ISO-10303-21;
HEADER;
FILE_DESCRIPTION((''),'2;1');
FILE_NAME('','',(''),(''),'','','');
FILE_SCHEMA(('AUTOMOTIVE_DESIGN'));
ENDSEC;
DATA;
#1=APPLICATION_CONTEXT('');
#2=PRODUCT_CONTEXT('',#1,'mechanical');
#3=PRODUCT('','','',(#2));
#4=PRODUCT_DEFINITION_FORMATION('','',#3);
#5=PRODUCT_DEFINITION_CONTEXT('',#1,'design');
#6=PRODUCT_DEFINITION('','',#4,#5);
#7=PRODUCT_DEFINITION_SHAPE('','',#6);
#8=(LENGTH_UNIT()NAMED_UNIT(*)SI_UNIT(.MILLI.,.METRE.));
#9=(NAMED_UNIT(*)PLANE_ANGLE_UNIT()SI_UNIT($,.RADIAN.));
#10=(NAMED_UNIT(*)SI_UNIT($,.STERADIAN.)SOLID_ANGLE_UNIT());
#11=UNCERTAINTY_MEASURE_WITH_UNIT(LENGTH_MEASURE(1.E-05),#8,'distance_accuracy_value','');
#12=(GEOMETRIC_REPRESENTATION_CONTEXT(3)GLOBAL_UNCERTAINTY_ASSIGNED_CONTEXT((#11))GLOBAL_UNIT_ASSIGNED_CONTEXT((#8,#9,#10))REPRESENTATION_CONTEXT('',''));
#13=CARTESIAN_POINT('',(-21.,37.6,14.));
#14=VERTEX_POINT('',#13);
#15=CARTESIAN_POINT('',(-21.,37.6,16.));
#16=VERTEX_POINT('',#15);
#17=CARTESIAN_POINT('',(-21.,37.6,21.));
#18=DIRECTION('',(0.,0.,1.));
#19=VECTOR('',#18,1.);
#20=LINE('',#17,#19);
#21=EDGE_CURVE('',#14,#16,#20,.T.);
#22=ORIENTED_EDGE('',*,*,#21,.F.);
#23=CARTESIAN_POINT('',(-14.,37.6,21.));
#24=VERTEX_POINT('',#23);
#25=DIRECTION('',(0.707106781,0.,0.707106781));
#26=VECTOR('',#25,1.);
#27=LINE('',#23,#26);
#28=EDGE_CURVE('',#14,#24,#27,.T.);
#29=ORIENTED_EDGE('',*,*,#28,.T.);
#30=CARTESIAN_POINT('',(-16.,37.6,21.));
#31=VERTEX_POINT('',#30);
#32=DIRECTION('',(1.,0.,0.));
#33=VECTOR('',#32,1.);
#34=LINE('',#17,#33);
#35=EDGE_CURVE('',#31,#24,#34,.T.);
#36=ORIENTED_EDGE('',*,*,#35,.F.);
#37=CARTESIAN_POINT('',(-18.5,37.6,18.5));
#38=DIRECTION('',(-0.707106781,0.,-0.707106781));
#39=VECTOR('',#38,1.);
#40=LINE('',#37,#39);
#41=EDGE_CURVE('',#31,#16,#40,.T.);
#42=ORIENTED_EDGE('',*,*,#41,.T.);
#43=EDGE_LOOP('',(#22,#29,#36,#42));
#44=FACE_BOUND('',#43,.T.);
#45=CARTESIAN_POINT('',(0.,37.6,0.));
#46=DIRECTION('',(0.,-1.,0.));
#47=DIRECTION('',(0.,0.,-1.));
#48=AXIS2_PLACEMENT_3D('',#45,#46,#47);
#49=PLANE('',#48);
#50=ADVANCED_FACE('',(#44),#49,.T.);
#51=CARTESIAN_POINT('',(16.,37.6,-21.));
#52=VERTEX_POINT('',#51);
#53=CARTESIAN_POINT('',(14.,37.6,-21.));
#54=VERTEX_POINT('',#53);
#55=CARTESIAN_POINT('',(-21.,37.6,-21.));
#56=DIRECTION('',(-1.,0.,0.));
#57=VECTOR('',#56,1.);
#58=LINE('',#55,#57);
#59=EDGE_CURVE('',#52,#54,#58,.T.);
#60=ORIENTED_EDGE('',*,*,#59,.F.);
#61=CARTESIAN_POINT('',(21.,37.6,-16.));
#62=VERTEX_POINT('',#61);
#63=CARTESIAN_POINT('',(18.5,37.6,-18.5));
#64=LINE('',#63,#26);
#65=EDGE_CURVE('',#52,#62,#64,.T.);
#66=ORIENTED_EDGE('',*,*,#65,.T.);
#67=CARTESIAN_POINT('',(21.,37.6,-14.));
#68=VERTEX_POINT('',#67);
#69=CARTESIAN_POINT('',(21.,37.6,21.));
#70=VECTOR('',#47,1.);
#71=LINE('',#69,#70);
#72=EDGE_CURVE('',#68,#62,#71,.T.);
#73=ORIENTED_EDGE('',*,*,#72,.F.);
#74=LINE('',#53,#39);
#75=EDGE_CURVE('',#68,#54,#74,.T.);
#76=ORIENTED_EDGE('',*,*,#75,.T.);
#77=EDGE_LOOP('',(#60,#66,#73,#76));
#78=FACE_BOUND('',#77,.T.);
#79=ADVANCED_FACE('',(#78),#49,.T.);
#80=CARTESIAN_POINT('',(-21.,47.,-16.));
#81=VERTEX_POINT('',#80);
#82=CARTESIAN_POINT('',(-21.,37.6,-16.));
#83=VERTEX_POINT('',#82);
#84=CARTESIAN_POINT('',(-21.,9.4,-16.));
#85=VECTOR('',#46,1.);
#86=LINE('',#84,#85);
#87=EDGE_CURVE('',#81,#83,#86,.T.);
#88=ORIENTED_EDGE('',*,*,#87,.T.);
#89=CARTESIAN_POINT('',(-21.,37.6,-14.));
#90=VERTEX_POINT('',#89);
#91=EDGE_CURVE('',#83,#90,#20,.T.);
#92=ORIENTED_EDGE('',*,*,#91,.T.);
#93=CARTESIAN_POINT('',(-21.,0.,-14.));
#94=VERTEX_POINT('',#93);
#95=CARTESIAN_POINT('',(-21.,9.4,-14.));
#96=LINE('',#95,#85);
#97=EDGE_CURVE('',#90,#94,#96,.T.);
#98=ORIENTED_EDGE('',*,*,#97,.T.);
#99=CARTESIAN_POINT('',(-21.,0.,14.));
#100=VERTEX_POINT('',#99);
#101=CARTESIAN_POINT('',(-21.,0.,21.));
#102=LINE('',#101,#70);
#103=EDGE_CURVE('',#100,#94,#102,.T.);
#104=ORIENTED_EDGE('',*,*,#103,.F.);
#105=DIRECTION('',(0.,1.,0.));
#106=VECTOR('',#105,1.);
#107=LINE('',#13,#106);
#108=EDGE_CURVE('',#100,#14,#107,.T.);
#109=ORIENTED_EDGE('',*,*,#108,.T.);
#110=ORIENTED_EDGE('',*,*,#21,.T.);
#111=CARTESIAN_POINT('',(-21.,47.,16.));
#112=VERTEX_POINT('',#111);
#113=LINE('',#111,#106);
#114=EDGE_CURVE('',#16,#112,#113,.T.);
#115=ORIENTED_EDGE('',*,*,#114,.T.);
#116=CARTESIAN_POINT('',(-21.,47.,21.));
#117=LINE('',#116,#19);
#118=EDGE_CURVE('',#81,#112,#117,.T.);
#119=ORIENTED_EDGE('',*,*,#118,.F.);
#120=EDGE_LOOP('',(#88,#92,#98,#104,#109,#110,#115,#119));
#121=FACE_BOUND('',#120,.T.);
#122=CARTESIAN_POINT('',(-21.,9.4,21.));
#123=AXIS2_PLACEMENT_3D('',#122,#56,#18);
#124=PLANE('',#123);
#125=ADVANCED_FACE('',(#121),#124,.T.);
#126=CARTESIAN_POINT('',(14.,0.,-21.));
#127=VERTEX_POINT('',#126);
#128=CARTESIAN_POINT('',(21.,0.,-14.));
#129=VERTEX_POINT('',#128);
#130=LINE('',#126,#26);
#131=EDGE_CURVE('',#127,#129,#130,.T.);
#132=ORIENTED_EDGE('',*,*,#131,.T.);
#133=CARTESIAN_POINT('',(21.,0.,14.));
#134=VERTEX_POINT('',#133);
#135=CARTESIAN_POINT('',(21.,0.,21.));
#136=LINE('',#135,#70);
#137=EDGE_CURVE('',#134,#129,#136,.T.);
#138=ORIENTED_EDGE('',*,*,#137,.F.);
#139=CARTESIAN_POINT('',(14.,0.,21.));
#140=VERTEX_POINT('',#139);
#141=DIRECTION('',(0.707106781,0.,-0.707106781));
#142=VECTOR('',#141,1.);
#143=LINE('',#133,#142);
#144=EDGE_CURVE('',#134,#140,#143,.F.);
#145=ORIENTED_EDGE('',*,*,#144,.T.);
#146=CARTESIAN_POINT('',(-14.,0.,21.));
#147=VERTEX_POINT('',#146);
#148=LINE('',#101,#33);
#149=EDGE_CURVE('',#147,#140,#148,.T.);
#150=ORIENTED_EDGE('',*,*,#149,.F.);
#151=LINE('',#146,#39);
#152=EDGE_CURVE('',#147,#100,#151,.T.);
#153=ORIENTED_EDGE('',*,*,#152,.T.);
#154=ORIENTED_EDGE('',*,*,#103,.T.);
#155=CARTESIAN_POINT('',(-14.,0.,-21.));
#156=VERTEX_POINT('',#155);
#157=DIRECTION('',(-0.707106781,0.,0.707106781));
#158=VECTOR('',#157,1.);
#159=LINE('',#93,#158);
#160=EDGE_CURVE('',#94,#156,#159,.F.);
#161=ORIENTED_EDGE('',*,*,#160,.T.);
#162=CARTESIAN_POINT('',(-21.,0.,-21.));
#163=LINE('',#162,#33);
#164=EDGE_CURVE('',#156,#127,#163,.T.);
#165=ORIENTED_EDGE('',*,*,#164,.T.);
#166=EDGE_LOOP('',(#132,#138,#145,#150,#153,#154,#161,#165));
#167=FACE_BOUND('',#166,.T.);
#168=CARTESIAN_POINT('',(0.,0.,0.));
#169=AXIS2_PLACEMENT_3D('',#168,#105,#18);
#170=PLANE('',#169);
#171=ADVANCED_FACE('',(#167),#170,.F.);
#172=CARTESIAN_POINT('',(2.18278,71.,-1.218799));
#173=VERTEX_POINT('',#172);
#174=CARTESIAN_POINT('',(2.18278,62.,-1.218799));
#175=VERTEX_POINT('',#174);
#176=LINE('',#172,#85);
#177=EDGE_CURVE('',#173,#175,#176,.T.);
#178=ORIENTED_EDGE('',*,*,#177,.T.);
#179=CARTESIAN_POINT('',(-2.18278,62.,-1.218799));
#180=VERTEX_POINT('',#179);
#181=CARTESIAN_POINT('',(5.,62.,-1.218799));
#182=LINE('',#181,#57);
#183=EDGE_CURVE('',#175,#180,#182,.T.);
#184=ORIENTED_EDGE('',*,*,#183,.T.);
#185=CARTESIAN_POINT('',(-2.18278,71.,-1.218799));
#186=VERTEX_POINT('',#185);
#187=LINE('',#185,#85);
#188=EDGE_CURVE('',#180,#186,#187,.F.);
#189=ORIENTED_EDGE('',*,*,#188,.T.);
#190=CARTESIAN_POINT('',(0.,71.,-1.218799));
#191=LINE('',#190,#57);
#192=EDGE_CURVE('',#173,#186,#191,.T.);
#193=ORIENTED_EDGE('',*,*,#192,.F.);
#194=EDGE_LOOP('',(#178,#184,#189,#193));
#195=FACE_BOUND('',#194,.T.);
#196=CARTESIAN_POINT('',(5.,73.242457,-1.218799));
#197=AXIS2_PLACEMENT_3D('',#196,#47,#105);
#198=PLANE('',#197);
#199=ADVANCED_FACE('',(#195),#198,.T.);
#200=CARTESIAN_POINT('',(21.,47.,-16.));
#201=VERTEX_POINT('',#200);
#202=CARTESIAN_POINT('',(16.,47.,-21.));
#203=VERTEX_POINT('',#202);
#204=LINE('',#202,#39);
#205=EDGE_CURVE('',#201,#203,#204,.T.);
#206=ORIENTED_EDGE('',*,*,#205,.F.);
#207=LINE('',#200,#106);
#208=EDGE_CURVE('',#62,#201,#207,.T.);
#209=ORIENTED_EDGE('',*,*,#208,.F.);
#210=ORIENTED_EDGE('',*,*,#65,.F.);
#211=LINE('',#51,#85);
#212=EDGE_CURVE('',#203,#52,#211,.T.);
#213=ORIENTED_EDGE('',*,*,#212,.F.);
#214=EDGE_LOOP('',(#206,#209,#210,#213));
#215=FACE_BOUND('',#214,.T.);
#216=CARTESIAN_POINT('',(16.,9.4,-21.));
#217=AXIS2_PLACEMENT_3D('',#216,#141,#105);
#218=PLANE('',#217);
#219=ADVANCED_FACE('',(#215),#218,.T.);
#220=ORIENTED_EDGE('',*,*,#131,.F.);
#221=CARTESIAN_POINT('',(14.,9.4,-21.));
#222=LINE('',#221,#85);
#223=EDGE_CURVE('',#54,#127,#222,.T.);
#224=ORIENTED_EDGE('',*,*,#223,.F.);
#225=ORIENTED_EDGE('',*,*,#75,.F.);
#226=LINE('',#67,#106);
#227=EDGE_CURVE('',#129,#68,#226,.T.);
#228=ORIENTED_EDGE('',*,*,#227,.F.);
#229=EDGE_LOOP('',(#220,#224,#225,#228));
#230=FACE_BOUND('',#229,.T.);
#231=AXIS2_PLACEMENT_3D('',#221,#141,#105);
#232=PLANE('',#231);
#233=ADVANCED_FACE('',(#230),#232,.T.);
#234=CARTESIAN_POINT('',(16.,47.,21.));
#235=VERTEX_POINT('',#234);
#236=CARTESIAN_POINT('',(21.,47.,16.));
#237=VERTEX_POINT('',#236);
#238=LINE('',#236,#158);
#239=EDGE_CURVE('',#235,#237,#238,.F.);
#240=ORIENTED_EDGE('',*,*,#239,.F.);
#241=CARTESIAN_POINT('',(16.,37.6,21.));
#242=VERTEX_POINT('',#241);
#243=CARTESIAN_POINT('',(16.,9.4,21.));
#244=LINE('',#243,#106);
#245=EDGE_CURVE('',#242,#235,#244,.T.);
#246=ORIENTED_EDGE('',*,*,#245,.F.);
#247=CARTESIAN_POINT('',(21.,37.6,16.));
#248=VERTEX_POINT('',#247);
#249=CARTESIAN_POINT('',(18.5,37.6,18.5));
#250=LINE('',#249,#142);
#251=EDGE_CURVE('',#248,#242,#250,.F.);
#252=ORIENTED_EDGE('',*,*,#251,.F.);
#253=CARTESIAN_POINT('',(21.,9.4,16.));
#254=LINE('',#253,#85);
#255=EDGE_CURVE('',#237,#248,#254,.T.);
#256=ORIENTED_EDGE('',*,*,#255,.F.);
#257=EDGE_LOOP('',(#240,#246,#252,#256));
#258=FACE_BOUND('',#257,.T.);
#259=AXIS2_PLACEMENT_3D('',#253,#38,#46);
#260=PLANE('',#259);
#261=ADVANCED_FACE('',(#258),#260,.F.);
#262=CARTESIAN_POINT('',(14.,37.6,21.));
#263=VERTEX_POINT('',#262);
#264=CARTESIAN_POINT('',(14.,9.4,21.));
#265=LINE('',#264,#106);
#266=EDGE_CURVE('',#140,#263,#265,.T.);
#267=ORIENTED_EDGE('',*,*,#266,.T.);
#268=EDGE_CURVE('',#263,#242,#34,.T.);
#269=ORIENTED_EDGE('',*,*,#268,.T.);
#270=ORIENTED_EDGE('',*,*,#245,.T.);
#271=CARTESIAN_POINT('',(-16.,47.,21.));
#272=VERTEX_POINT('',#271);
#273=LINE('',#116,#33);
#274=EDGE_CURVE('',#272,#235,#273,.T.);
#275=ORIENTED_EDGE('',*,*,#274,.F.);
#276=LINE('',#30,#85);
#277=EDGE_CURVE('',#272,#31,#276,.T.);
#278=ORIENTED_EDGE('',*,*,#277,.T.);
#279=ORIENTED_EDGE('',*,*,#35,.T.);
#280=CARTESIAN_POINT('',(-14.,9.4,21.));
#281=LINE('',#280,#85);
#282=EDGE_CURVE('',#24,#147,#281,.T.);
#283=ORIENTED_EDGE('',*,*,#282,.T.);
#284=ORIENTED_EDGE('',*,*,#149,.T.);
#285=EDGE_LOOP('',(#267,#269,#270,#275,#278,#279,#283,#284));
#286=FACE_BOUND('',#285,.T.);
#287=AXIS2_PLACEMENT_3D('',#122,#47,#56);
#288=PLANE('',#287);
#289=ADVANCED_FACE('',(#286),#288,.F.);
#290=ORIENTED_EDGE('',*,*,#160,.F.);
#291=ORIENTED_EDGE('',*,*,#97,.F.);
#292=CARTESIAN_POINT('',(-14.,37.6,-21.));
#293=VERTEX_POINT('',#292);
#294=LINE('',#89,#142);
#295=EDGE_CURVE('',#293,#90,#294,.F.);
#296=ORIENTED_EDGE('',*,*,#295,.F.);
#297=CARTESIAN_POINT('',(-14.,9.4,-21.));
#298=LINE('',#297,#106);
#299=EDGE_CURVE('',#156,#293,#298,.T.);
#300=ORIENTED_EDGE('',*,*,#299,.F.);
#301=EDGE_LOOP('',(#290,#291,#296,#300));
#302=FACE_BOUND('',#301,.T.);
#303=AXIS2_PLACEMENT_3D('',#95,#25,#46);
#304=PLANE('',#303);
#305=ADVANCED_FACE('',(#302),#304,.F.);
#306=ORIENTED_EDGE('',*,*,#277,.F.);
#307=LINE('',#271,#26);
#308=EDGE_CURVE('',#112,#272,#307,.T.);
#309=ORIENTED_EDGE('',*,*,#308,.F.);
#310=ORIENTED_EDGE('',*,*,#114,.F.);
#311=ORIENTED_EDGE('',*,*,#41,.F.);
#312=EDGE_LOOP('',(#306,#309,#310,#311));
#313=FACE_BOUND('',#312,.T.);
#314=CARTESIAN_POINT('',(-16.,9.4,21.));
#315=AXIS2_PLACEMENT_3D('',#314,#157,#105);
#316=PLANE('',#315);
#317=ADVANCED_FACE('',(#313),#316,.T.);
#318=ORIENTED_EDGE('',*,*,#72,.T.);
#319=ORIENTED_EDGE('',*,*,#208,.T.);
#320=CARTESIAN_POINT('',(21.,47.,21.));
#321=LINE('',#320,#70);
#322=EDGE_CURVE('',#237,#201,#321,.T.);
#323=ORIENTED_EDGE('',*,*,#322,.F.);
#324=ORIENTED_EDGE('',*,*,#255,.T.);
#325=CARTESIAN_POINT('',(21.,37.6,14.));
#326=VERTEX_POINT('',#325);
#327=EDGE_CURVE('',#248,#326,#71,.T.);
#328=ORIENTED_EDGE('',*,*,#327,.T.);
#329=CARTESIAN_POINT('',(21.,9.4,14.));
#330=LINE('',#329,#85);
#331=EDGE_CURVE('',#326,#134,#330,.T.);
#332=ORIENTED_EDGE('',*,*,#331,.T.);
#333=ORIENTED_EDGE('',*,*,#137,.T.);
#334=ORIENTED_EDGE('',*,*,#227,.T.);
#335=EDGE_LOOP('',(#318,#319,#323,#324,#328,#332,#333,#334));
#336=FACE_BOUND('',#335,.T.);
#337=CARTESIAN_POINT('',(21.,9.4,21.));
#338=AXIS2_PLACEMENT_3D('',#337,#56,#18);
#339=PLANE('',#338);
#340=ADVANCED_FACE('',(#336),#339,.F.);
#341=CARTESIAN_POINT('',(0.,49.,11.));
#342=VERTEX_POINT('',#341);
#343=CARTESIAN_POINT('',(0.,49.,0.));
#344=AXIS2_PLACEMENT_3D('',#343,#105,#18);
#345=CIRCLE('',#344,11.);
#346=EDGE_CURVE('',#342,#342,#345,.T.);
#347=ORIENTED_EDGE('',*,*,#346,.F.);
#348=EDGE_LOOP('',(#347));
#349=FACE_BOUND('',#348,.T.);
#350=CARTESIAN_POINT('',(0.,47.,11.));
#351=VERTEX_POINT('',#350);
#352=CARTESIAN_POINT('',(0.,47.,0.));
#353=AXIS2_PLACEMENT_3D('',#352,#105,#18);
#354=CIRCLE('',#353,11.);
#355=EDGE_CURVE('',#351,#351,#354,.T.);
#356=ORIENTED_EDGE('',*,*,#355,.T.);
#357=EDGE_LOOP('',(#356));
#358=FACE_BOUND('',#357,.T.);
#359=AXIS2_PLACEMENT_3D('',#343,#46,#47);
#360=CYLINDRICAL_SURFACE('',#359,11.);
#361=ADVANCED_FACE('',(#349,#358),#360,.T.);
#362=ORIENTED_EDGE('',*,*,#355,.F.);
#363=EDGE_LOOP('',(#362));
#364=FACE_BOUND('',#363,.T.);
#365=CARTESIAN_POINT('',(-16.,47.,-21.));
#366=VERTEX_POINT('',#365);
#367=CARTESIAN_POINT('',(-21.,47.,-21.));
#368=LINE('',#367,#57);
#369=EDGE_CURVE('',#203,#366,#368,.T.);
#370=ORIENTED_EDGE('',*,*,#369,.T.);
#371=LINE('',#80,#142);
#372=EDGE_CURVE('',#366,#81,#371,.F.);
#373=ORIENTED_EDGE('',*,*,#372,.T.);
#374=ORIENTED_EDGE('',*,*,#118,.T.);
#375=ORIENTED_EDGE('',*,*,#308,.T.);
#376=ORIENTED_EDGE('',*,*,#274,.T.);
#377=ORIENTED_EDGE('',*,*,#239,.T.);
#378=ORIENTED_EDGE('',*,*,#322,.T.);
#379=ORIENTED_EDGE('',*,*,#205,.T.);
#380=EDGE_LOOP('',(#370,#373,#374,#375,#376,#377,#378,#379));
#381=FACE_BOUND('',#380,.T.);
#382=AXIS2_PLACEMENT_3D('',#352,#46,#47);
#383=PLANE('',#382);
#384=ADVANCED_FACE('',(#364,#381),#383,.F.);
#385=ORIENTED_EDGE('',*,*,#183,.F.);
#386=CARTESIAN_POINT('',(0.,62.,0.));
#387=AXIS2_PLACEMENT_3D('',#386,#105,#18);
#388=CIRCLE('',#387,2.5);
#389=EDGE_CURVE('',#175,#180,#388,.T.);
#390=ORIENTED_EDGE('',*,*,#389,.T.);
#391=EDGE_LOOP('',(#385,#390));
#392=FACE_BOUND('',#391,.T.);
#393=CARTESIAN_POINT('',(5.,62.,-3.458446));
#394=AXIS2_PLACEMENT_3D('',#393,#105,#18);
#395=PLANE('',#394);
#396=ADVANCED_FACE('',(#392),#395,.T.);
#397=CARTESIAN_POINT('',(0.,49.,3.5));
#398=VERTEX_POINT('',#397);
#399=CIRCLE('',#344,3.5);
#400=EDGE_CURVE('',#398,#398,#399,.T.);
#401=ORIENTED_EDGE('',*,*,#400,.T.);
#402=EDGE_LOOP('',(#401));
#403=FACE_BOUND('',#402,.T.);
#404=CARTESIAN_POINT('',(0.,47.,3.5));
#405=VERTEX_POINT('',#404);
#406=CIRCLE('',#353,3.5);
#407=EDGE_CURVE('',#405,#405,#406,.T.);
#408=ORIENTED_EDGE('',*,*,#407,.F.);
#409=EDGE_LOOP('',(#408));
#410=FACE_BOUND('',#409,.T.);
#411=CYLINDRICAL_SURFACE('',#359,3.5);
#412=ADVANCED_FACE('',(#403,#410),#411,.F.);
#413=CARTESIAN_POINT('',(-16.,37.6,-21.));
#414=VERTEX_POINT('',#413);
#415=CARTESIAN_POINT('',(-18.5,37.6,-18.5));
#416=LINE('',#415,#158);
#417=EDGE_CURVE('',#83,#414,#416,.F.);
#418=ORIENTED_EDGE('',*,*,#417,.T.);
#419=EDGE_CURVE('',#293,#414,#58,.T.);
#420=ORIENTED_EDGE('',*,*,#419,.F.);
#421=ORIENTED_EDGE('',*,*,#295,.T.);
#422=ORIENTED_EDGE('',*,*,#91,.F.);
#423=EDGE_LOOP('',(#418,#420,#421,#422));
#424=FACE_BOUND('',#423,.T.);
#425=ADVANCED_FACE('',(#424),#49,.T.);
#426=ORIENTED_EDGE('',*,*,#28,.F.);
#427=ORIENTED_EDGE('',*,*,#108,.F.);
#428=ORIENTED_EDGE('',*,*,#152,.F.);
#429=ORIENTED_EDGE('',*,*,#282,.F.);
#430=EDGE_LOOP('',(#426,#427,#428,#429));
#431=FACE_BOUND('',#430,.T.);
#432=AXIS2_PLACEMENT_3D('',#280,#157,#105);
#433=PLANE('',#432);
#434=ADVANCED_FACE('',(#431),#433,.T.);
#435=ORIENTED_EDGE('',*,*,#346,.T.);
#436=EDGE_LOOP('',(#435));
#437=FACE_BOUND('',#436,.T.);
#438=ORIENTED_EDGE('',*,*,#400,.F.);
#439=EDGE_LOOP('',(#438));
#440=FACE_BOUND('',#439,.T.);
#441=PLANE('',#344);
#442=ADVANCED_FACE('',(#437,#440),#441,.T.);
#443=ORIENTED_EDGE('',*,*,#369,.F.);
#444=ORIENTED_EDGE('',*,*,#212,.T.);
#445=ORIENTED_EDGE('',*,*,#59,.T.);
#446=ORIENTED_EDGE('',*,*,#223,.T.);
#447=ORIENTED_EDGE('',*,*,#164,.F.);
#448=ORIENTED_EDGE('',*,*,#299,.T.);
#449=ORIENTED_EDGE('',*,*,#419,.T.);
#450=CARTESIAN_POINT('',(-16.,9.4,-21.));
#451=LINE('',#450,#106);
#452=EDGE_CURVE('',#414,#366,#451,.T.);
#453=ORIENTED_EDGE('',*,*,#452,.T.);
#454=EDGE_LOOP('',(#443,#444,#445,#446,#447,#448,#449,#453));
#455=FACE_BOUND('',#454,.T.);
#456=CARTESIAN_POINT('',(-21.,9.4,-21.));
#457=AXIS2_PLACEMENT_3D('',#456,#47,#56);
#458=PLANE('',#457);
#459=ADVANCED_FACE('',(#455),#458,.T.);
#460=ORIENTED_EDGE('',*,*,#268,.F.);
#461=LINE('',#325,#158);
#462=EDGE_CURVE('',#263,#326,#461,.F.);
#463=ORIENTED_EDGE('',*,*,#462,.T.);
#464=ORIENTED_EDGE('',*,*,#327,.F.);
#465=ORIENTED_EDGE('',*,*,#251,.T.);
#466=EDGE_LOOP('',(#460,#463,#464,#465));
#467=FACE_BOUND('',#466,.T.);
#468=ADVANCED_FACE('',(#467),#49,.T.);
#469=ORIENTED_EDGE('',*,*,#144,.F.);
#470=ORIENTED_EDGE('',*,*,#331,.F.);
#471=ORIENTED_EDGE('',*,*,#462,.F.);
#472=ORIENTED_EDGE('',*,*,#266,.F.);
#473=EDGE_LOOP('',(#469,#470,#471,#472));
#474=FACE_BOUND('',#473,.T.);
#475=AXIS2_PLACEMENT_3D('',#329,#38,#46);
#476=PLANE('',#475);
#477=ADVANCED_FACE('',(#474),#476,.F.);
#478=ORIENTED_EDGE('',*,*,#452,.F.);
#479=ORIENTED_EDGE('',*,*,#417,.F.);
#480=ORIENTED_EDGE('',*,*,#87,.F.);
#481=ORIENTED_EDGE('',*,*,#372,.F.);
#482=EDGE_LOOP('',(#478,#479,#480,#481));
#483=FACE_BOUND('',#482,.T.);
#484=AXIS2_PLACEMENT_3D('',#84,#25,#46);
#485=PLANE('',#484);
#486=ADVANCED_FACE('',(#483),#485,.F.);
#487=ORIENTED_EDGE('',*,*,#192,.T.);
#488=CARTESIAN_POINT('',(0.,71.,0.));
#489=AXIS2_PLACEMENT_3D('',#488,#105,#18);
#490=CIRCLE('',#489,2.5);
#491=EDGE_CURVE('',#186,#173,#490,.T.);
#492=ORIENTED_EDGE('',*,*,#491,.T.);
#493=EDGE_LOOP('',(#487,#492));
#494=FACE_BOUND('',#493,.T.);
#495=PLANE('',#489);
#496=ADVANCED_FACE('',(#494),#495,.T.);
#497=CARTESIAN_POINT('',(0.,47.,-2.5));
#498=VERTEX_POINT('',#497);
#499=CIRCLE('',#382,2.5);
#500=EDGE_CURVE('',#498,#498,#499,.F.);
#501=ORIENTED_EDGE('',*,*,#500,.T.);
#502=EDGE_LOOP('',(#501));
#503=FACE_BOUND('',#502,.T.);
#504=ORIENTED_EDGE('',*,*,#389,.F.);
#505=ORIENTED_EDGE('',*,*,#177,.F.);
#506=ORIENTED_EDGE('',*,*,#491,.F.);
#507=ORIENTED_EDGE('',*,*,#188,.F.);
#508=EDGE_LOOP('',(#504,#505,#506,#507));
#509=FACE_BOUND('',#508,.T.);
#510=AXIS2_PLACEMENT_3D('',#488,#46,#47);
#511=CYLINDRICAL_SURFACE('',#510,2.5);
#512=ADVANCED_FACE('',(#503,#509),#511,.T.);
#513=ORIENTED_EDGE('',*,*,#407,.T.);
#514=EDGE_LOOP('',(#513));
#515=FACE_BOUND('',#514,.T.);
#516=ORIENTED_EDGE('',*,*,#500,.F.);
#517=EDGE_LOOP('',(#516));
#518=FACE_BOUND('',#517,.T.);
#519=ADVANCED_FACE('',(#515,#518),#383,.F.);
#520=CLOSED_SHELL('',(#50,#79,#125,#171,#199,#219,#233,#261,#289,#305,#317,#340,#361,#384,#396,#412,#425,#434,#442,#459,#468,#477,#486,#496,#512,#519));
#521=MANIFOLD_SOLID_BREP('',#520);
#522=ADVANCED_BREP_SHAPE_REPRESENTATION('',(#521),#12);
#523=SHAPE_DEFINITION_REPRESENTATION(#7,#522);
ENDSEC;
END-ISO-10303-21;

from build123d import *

# Parameters (mm, degrees)
SKETCH4_W               = 42
SKETCH4_H               = 42
BOTTOM_DEPTH            = 9.4
CHAMFER2_SIZE           = 5
SKETCH6_W               = 42
SKETCH6_H               = 42
MIDDLE_DEPTH            = 28.2
CHAMFER3_SIZE           = 7
SKETCH8_W               = 42
SKETCH8_H               = 42
TOP_DEPTH               = 9.4
CHAMFER4_SIZE           = 5
SKETCH9_R               = 11
SKETCH9_R_2             = 3.5
BOSS_EXTRUDE4_DEPTH     = 2
SKETCH10_R              = 2.5
SHAFT_DEPTH             = 24
CUT_EXTRUDE3_DEPTH      = 5
CUT_EXTRUDE3_DEPTH_BACK = 5
SKETCH11_W              = 2.239647547
SKETCH11_H              = 11.242457261


with BuildPart() as part:
    # Sketch4 → Bottom (new body)
    with BuildSketch(Plane(origin=(0, 0, 0), x_dir=(1, 0, 0), z_dir=(0, 1, 0))):
        Rectangle(SKETCH4_W, SKETCH4_H)
    extrude(amount=BOTTOM_DEPTH)

    # Chamfer2
    chamfer2_edges = [part.edges().sort_by_distance(p)[0] for p in [
        (-21, 4.7, 21),
        (-21, 4.7, -21),
        (21, 4.7, -21),
        (21, 4.7, 21),
    ]]
    chamfer(chamfer2_edges, length=CHAMFER2_SIZE)

    # Sketch6 → Middle (add)
    with BuildSketch(Plane(origin=(0, 9.4, 0), x_dir=(1, 0, 0), z_dir=(0, 1, 0))):
        Rectangle(SKETCH6_W, SKETCH6_H)
    extrude(amount=MIDDLE_DEPTH)

    # Chamfer3
    chamfer3_edges = [part.edges().sort_by_distance(p)[0] for p in [
        (21, 23.5, 21),
        (-21, 23.5, 21),
        (-21, 23.5, -21),
        (21, 23.5, -21),
    ]]
    chamfer(chamfer3_edges, length=CHAMFER3_SIZE)

    # Sketch8 → Top (add)
    with BuildSketch(Plane(origin=(0, 37.6, 0), x_dir=(1, 0, 0), z_dir=(0, 1, 0))):
        Rectangle(SKETCH8_W, SKETCH8_H)
    extrude(amount=TOP_DEPTH)

    # Chamfer4
    chamfer4_edges = [part.edges().sort_by_distance(p)[0] for p in [
        (21, 42.3, 21),
        (21, 42.3, -21),
        (-21, 42.3, -21),
        (-21, 42.3, 21),
    ]]
    chamfer(chamfer4_edges, length=CHAMFER4_SIZE)

    # Sketch9 → Boss-Extrude4 (add)
    with BuildSketch(Plane(origin=(0, 47, 0), x_dir=(1, 0, 0), z_dir=(0, 1, 0))):
        with Locations(Location((0, 0, 0), (0, 0, 270))):
            Circle(SKETCH9_R)
        with Locations(Location((0, 0, 0), (0, 0, 270))):
            Circle(SKETCH9_R_2, mode=Mode.SUBTRACT)
    extrude(amount=BOSS_EXTRUDE4_DEPTH)

    # Sketch10 → Shaft (add)
    with BuildSketch(Plane(origin=(0, 47, 0), x_dir=(1, 0, 0), z_dir=(0, 1, 0))):
        with Locations(Location((0, 0, 0), (0, 0, 90))):
            Circle(SKETCH10_R)
    extrude(amount=SHAFT_DEPTH)

    # Sketch11 → Cut-Extrude3 (cut, two sides: drawn at the far end of the back side and taken through both)
    with BuildSketch(Plane(origin=(0, 0, 0), x_dir=(0, 0, -1), z_dir=(1, 0, 0)).offset(-CUT_EXTRUDE3_DEPTH_BACK)):
        with Locations((2.338622492, 67.62122863)):
            Rectangle(SKETCH11_W, SKETCH11_H)
    extrude(amount=CUT_EXTRUDE3_DEPTH + CUT_EXTRUDE3_DEPTH_BACK, mode=Mode.SUBTRACT)


solid = part.part
